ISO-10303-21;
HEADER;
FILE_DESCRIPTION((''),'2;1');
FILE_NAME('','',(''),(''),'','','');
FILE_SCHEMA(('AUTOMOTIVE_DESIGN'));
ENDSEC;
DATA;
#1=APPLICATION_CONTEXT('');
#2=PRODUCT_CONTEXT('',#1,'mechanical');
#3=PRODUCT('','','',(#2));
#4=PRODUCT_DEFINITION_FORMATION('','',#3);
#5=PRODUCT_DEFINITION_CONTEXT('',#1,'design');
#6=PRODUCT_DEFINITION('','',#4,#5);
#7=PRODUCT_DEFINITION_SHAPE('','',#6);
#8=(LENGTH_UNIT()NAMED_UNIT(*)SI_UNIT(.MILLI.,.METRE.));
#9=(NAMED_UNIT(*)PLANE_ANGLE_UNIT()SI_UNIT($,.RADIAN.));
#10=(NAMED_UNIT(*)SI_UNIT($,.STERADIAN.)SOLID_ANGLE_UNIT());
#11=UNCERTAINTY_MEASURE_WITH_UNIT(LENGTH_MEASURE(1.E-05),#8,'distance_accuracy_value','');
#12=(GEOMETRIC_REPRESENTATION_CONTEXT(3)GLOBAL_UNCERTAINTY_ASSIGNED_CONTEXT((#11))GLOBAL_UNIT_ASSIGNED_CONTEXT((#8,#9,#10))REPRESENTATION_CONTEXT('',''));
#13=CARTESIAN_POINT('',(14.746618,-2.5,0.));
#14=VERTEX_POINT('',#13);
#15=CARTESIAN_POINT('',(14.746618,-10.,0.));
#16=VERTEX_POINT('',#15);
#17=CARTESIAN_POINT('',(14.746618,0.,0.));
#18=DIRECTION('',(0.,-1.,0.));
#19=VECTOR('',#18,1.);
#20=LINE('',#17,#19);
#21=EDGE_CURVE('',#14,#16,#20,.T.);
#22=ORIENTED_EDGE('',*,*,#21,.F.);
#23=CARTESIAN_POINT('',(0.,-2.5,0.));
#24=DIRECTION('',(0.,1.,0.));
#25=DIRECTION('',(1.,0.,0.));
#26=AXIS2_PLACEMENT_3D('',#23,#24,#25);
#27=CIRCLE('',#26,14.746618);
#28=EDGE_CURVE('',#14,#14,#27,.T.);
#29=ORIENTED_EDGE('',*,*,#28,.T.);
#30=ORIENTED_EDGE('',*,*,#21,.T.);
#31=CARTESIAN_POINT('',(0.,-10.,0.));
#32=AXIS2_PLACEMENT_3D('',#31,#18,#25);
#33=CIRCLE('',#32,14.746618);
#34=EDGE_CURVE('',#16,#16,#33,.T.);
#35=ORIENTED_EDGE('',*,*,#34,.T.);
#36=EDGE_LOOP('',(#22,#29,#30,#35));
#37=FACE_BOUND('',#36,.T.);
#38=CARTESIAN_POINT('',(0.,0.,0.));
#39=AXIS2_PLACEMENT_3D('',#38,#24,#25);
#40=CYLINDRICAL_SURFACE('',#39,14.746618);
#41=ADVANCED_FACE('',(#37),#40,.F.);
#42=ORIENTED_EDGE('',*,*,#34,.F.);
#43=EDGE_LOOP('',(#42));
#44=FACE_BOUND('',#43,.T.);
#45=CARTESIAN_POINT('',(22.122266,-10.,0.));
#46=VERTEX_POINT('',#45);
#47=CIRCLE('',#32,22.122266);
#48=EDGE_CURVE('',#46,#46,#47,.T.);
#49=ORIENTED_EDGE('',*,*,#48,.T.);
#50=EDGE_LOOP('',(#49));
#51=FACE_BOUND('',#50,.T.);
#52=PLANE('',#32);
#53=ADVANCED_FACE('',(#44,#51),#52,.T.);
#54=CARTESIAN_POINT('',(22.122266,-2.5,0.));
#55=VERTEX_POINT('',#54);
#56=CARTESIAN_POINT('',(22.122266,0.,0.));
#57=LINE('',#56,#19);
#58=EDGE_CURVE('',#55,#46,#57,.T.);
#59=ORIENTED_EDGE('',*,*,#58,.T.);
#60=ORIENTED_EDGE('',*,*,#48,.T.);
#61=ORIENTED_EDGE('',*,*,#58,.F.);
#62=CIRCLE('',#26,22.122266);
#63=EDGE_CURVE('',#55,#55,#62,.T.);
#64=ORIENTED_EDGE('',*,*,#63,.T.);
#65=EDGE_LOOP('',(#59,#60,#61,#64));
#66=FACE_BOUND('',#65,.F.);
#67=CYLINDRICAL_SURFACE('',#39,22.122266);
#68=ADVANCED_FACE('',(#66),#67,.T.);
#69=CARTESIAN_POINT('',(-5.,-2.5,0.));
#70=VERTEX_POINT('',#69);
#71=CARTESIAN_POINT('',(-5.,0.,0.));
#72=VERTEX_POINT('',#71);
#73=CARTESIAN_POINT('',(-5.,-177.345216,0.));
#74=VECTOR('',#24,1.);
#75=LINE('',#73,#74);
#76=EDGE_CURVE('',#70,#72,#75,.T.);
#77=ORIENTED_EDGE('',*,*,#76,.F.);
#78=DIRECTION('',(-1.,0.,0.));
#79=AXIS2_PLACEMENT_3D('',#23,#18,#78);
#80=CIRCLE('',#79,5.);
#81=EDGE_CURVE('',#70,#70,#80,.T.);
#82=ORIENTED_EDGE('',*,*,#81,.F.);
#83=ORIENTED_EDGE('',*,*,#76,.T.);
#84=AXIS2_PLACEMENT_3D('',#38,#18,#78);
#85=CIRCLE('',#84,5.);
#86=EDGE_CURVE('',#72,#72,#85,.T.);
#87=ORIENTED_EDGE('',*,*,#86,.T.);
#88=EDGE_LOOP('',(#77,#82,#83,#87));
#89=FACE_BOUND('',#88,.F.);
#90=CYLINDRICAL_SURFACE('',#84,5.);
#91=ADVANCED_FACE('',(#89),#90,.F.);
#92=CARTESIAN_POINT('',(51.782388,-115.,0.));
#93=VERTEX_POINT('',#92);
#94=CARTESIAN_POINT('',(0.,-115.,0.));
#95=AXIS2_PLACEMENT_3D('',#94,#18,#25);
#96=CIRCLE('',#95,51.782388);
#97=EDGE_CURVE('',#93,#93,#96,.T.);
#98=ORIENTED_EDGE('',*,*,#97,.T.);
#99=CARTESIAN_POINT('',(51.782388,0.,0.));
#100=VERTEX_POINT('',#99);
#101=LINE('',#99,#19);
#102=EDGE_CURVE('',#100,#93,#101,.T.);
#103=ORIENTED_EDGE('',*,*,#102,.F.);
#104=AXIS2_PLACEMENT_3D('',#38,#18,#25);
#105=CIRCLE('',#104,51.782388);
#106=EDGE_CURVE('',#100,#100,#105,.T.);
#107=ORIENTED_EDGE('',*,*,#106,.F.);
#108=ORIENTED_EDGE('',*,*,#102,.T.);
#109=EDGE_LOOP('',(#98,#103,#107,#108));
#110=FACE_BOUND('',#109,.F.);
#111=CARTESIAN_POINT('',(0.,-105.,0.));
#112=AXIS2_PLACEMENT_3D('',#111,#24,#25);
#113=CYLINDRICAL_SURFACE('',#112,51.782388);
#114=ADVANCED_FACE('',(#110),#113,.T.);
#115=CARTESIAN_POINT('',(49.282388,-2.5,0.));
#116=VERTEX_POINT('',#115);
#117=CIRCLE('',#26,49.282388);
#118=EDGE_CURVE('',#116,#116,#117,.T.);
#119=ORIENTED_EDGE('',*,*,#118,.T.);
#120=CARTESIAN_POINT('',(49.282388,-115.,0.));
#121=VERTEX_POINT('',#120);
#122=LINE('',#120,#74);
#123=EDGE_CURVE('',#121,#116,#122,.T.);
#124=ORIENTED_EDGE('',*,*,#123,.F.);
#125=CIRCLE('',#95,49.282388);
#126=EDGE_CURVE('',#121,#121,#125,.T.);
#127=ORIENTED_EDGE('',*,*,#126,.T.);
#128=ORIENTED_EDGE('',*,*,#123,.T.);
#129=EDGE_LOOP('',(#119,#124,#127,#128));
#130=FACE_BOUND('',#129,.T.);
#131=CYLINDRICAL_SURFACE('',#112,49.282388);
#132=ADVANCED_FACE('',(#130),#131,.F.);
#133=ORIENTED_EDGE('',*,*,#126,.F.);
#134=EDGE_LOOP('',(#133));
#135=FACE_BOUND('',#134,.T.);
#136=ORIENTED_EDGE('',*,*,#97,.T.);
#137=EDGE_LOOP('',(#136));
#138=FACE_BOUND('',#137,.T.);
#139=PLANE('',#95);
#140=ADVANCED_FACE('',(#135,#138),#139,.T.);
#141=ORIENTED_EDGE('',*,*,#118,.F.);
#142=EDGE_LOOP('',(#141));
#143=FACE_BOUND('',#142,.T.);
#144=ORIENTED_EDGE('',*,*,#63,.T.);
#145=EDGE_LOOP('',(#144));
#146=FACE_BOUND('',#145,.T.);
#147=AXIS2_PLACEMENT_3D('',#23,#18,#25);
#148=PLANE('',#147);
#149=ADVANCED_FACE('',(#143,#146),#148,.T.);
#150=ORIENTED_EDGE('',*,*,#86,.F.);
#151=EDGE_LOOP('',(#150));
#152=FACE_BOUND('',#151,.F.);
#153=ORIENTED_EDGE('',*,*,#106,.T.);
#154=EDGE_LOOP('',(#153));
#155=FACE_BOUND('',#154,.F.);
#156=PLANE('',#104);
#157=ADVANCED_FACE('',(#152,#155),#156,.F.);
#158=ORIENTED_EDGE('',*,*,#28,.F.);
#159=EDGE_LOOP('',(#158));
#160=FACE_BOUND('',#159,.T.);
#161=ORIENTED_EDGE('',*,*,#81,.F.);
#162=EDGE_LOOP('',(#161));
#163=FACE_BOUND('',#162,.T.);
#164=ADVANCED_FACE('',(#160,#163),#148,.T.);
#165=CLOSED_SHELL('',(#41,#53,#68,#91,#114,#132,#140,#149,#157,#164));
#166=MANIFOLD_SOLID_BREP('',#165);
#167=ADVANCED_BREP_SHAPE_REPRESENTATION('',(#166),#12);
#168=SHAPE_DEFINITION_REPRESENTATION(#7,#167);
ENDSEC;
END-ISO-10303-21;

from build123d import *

# Parameters (mm, degrees)
F0_R           = 51.7823878283
F1_DEPTH       = 100
F2_T           = -2.5
F3_R           = 22.1222661474
F3_R_2         = 14.7466183109
F4_DEPTH       = 10
F6_D           = 10
F6_CBORE_D     = 10
F6_CBORE_DEPTH = 5
F7_DEPTH       = 5
F8_DEPTH       = 10


with BuildPart() as f1:
    # F0 (on Front) → F1 (new body)
    with BuildSketch(Plane.XZ):
        Circle(F0_R)
    extrude(amount=F1_DEPTH)

    # F2
    f2_openings = [f1.faces().sort_by_distance(p)[0] for p in [
        (0, -100, 0),
    ]]
    offset(amount=F2_T, openings=f2_openings)

    # F3 (on Front) → F4 (join)
    with BuildSketch(Plane.XZ):
        Circle(F3_R)
        Circle(F3_R_2, mode=Mode.SUBTRACT)
    extrude(amount=F4_DEPTH)

    # F6 (through all)
    with Locations(Plane(origin=(0, 0, 0), x_dir=(1, 0, 0), z_dir=(0, 1, 0))):
        with Locations((0, 0)):
            CounterBoreHole(F6_D / 2, F6_CBORE_D / 2, F6_CBORE_DEPTH)

    # F7 (add): a face of the model
    f7_faces = [f1.faces().sort_by_distance(p)[0] for p in [
        (-50.3177607251, -100, 0),
    ]]
    extrude(f7_faces, amount=F7_DEPTH)

    # F8 (add): a face of the model
    f8_faces = [f1.faces().sort_by_distance(p)[0] for p in [
        (-50.3177607251, -105, 0),
    ]]
    extrude(f8_faces, amount=F8_DEPTH)


solid = f1.part
